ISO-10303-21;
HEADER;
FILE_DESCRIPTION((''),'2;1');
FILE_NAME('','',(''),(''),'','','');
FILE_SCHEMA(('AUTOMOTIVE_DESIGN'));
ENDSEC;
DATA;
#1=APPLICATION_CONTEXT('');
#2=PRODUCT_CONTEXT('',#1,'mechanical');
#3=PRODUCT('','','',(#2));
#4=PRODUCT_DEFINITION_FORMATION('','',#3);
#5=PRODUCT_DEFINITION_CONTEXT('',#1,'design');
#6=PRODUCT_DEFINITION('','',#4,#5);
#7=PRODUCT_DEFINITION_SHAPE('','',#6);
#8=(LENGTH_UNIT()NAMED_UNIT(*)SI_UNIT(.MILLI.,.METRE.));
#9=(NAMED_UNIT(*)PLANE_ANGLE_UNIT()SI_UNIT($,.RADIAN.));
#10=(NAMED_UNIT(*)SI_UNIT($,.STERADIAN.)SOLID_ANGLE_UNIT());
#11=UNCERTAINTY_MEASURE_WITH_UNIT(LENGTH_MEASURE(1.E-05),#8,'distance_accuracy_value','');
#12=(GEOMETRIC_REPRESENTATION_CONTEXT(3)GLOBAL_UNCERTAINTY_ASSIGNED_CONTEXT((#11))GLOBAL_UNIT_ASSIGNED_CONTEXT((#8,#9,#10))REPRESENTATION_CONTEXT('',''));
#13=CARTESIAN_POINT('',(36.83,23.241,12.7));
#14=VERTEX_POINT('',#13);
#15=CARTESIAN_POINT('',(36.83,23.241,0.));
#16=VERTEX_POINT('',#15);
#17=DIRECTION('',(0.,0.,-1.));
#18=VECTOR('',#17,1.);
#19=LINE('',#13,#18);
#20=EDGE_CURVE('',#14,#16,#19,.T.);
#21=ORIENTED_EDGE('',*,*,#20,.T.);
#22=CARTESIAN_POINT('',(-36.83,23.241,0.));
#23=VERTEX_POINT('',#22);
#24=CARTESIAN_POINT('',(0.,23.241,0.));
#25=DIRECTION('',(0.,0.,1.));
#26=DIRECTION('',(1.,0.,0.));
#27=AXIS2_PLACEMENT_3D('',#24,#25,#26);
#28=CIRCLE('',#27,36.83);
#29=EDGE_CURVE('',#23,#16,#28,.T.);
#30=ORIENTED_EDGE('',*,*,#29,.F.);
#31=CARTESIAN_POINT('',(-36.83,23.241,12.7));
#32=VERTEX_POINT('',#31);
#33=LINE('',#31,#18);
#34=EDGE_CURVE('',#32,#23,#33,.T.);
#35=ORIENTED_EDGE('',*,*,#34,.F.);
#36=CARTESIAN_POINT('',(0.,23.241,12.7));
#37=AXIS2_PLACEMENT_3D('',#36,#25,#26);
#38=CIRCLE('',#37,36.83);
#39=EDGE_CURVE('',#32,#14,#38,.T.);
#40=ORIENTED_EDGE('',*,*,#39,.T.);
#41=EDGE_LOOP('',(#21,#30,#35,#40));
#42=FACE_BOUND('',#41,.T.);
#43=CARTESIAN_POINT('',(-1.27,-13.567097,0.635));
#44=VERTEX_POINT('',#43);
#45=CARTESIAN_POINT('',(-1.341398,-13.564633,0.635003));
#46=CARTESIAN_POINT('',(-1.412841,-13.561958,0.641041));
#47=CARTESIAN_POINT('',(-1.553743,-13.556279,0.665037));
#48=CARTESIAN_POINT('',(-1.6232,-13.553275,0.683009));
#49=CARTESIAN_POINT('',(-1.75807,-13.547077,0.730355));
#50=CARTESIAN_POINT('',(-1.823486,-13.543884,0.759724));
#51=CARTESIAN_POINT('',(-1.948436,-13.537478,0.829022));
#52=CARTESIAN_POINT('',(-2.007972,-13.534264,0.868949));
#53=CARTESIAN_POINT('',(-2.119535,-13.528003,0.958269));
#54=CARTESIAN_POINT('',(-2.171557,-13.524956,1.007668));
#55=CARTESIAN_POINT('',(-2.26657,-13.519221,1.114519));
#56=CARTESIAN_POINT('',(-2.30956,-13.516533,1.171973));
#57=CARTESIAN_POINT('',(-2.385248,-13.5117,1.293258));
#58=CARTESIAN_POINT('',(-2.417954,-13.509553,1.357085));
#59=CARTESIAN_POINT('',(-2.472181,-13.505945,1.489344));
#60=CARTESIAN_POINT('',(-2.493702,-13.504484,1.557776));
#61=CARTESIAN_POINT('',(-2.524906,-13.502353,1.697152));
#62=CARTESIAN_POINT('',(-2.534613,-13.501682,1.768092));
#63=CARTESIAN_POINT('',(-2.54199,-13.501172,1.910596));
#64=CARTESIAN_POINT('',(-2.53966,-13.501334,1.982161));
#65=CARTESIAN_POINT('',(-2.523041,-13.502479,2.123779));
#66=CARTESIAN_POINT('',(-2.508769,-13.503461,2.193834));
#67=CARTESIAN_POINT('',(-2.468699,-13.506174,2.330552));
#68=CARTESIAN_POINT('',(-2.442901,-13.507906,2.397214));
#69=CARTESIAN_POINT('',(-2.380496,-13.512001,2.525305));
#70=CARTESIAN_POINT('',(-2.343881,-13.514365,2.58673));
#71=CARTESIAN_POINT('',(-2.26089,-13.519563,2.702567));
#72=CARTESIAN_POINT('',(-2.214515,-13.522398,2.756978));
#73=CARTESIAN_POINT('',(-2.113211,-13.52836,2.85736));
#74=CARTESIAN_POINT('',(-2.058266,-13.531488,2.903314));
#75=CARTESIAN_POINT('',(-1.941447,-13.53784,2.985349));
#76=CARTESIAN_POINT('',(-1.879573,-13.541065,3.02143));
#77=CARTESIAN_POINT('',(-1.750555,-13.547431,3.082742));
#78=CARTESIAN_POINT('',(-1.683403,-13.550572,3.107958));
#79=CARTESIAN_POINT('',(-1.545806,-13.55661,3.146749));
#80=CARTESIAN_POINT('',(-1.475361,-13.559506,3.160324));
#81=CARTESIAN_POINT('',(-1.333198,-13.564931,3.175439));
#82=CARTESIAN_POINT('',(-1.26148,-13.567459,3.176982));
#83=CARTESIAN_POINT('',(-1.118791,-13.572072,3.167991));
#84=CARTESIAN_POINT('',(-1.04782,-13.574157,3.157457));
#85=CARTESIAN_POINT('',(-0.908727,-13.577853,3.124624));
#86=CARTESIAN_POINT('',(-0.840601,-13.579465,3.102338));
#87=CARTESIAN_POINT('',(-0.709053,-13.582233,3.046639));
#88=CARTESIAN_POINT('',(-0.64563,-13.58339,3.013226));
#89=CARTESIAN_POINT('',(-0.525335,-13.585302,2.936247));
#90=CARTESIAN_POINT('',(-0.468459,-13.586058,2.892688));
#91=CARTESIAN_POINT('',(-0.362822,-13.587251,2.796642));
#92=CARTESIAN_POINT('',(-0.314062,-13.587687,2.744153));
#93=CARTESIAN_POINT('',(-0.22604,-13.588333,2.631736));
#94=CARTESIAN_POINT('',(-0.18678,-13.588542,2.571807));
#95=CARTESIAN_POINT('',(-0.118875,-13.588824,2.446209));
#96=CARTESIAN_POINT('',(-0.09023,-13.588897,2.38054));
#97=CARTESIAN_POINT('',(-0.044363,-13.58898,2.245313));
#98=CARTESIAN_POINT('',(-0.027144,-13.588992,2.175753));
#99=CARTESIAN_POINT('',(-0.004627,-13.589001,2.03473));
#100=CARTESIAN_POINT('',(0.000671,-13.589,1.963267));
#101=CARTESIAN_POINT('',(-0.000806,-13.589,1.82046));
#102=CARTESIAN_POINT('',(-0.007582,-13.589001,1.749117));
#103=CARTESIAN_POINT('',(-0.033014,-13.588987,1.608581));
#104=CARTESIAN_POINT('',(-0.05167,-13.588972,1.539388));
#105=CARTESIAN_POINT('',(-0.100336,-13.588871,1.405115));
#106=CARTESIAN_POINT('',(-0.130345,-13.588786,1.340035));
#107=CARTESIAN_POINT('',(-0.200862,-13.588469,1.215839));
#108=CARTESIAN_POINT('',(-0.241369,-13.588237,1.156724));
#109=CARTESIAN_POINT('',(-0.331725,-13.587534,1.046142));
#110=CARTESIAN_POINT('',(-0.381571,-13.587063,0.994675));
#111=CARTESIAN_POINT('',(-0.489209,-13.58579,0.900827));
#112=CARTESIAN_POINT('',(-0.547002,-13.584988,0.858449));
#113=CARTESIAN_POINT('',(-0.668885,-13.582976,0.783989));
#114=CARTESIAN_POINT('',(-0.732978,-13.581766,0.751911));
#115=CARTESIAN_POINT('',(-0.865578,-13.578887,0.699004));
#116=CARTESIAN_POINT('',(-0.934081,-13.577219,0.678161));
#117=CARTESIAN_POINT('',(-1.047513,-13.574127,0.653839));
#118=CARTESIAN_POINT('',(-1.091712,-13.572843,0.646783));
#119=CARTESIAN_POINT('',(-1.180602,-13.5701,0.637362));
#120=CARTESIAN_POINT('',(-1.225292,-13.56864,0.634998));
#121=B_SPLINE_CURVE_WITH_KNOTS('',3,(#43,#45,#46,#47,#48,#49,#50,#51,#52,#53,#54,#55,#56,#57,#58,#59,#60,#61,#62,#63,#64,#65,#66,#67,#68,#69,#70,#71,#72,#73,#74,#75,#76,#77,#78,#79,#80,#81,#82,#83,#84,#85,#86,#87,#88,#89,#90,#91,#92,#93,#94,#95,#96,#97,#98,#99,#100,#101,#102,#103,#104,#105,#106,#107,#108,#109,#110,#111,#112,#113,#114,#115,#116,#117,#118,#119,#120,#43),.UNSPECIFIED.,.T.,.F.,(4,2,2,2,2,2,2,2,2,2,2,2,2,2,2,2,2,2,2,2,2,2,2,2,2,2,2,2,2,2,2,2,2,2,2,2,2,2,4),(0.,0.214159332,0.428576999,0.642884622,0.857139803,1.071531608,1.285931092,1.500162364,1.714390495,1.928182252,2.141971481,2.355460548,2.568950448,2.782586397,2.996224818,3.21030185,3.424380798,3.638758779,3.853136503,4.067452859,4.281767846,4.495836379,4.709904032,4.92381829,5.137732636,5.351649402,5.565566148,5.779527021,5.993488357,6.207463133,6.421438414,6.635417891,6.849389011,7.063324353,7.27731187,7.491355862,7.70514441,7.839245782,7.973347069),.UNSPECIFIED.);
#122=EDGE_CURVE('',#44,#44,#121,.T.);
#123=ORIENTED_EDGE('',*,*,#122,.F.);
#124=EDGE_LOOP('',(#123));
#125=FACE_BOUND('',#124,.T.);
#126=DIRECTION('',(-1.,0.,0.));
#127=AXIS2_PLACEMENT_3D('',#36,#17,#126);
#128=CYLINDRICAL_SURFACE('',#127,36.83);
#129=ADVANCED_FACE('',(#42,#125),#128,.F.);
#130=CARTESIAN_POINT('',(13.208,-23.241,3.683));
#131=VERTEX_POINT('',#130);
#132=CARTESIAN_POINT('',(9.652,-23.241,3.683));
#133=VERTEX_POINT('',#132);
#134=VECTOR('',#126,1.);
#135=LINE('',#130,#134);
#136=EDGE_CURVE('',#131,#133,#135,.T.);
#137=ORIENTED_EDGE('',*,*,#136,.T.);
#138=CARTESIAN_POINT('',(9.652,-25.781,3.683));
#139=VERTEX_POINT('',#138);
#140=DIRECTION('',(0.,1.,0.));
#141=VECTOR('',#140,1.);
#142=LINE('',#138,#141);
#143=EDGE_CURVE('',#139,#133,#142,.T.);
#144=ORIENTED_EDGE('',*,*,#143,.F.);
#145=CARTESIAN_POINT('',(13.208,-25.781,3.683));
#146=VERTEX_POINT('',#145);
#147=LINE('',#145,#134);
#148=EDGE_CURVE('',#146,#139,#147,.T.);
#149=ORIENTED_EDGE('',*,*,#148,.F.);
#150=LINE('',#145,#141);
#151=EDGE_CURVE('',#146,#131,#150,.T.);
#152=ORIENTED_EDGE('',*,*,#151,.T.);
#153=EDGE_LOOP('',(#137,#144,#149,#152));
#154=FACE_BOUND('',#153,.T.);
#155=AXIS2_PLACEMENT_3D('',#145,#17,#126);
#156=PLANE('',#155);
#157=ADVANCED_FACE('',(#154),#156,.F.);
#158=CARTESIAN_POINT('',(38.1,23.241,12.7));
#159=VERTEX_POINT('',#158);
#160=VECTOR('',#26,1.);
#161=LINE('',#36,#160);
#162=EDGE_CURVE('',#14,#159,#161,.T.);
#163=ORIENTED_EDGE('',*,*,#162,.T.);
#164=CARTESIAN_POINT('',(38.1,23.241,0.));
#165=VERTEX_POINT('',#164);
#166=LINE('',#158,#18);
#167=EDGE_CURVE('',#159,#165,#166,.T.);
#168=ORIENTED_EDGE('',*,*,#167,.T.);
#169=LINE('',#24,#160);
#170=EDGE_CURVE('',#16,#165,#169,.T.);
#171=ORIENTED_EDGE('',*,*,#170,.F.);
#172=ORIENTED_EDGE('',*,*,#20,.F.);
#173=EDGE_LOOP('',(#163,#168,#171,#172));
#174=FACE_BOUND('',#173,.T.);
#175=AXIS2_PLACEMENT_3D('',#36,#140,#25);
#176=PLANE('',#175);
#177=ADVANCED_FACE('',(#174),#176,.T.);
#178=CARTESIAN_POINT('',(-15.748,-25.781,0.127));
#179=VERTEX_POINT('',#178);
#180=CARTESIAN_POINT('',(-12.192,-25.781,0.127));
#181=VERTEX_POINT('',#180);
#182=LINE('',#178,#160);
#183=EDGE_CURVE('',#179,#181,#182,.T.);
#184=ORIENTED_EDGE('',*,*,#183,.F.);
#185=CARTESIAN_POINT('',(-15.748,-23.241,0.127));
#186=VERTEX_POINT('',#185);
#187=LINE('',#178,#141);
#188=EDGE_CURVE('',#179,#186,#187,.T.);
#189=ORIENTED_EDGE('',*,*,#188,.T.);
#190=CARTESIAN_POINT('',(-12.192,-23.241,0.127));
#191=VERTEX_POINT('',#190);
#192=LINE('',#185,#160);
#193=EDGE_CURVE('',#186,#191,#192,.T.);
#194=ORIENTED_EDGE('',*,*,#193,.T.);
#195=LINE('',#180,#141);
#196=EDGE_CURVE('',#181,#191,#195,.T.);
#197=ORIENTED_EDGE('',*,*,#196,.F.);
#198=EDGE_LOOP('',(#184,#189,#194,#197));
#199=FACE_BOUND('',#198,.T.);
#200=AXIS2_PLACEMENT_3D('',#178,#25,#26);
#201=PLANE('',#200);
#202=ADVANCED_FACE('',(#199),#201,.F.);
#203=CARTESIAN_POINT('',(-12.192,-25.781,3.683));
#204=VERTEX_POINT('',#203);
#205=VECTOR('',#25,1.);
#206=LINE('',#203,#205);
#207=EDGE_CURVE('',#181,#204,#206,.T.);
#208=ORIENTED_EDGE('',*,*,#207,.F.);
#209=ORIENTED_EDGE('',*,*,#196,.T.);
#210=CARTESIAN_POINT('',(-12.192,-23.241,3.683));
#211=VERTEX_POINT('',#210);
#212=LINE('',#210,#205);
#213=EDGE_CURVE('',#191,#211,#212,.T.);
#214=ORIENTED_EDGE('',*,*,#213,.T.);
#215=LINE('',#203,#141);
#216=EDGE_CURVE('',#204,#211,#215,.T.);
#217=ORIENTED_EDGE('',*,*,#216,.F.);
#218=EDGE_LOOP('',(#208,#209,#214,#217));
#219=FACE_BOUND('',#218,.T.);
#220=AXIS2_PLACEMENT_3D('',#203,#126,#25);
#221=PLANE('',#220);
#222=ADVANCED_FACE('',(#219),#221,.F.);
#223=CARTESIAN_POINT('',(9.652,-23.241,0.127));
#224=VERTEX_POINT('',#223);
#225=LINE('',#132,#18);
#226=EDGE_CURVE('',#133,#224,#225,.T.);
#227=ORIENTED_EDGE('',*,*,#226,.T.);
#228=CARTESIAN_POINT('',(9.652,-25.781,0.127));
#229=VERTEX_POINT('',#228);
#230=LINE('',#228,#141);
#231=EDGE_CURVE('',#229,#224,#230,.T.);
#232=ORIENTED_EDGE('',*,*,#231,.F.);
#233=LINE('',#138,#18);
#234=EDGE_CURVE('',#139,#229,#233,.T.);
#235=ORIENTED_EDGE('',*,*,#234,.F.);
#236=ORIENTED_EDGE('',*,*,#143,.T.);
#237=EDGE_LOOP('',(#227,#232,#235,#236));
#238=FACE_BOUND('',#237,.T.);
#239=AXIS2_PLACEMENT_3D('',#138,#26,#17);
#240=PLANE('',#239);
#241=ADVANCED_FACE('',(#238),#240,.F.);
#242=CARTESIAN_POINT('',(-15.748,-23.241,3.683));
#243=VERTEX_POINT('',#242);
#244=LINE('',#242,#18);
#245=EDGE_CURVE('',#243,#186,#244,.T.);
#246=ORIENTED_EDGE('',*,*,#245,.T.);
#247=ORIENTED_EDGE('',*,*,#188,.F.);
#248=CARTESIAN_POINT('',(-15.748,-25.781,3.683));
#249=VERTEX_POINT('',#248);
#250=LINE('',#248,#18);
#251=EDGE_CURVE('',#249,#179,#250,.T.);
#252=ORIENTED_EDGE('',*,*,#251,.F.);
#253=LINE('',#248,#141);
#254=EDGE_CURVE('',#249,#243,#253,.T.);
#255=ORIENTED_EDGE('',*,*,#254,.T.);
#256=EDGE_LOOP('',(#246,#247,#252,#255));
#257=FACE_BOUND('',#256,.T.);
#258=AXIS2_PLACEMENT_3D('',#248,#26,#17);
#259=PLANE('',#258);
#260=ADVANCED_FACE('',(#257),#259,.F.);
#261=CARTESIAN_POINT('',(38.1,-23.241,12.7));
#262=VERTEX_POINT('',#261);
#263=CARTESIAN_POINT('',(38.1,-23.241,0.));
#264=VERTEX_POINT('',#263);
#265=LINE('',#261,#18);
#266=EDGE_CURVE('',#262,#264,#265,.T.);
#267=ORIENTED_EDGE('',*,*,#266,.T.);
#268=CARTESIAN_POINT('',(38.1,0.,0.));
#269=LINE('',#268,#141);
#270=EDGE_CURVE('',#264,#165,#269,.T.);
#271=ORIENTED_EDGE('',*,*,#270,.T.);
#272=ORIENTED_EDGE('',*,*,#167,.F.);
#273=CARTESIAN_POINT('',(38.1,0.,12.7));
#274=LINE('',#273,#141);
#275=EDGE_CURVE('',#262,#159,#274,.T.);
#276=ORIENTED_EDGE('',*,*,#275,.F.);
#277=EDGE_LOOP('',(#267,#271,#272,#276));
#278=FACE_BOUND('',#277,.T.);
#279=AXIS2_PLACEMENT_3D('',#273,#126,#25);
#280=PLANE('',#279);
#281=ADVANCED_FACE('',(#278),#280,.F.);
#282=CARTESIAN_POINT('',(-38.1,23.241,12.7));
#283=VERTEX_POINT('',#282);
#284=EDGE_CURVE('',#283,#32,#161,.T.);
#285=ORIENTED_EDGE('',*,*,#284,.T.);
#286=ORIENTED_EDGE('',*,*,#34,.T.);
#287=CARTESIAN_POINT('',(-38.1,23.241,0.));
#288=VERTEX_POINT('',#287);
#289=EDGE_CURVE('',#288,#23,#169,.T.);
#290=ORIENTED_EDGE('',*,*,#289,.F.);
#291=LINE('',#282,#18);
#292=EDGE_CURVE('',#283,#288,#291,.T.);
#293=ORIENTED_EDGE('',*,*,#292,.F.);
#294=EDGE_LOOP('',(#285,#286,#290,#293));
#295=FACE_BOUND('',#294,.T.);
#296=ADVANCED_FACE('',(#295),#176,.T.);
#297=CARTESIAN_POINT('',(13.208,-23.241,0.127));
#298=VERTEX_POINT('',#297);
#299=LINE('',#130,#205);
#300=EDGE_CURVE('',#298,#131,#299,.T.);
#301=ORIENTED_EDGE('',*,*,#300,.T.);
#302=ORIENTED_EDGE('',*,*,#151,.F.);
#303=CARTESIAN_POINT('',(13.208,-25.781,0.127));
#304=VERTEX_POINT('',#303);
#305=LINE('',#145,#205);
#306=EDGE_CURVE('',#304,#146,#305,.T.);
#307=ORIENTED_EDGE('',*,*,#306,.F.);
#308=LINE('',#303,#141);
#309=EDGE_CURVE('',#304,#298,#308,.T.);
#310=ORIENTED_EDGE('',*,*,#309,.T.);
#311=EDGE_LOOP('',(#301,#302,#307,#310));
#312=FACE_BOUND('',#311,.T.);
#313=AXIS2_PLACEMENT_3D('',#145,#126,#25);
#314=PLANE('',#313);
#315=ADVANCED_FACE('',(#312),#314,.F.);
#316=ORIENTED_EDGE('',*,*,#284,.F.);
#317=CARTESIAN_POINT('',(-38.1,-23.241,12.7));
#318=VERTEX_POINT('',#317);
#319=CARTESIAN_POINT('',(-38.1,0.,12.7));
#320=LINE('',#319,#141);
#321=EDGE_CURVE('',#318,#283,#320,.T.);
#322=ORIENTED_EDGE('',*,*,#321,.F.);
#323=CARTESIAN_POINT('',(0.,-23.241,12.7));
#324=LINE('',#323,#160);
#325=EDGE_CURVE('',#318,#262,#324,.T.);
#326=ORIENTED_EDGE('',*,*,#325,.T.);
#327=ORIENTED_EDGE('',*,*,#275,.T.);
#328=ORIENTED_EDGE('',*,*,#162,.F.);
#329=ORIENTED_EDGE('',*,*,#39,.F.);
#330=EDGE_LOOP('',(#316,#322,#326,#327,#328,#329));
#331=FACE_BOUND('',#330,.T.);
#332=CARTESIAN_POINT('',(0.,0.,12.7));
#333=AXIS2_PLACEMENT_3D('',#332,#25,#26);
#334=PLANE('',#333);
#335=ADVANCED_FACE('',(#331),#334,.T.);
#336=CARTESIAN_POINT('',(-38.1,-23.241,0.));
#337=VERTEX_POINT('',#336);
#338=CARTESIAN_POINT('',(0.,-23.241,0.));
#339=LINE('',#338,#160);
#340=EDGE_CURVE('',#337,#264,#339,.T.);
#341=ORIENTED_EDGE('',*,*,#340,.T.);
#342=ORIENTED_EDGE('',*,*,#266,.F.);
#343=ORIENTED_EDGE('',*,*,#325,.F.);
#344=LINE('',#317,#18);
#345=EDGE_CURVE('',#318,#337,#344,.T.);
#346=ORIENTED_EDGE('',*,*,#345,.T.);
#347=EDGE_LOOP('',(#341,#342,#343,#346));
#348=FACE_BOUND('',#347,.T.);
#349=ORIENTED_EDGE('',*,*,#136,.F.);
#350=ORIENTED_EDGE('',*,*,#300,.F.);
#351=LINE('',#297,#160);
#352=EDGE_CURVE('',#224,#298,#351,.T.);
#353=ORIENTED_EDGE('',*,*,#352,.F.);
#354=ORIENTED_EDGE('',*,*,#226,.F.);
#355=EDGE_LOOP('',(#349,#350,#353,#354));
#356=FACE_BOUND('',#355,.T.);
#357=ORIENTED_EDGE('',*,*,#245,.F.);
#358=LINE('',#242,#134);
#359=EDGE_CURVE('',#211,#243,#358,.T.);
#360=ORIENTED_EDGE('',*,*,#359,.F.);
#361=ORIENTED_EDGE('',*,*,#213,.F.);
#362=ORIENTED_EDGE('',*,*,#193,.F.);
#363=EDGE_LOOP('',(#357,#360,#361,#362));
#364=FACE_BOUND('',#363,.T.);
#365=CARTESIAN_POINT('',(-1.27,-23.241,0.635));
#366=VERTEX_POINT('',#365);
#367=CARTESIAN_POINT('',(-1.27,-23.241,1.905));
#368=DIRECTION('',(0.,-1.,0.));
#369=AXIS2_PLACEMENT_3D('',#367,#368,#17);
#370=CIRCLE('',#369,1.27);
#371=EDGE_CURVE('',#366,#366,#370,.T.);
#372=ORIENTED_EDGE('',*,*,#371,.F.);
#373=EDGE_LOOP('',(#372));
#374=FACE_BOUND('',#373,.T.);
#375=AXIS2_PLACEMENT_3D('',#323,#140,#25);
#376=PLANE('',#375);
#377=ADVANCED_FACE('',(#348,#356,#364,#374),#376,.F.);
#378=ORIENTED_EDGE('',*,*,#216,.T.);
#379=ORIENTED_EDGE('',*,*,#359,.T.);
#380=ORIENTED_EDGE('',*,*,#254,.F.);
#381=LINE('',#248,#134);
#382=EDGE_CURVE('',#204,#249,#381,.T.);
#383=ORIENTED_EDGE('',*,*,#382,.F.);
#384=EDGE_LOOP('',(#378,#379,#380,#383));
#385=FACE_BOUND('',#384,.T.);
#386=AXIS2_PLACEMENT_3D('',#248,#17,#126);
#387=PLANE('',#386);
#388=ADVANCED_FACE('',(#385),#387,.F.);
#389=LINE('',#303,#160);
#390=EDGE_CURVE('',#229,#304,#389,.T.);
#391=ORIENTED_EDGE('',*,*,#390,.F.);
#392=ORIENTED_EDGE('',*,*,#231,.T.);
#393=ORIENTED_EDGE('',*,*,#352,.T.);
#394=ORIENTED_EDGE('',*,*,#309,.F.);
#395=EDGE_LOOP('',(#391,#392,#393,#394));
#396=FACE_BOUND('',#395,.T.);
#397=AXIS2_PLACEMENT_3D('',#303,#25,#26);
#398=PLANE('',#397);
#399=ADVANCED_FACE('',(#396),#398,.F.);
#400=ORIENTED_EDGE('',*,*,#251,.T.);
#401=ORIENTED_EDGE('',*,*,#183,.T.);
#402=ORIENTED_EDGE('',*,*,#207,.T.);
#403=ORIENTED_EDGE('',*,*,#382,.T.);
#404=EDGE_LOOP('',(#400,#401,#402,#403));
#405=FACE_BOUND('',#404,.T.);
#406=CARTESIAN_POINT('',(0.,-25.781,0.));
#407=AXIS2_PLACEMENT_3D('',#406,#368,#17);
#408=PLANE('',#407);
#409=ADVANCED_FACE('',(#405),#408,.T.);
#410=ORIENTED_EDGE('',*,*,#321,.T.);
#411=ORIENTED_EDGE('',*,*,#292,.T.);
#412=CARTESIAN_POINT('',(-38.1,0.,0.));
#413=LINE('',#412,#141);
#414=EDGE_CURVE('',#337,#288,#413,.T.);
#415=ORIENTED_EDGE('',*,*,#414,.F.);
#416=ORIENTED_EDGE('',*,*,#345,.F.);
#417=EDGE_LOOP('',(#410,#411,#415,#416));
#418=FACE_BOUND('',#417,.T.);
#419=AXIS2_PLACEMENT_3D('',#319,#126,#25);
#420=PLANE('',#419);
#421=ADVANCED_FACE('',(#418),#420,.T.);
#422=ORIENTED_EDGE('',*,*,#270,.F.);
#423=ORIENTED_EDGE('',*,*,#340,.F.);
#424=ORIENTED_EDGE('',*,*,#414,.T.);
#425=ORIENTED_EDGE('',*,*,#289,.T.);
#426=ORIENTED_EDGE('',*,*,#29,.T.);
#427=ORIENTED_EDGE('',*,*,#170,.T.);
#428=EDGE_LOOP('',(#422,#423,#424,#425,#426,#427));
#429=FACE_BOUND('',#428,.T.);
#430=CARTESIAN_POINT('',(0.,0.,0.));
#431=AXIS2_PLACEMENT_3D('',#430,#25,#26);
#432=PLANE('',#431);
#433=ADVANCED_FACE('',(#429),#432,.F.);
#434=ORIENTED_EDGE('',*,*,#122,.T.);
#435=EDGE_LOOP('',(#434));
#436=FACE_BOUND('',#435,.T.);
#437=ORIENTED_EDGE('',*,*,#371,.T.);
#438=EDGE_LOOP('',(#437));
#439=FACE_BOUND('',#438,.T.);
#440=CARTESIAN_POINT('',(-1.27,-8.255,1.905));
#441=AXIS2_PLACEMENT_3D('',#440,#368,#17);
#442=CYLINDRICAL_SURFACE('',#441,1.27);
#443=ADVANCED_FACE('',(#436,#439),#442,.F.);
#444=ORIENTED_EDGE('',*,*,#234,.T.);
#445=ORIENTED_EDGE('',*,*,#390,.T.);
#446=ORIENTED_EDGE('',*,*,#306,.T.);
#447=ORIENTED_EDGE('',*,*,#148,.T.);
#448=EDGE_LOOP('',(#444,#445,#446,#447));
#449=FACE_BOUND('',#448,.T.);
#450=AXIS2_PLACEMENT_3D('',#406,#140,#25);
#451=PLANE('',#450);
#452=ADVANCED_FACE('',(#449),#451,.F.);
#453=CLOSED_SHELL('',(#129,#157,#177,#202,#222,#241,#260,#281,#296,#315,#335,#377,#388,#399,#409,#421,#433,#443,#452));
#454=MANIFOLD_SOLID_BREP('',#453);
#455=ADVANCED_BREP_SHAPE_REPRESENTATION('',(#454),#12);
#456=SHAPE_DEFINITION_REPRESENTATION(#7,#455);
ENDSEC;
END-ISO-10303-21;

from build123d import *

# Parameters (mm, degrees)
BOSS_EXTRUDE1_DEPTH = 12.7
SKETCH2_W           = 3.556
SKETCH2_H           = 3.556
BOSS_EXTRUDE2_DEPTH = 2.54
SKETCH3_R           = 1.27
CUT_EXTRUDE1_DEPTH  = 14.986


with BuildPart() as part:
    # Sketch1 → Boss-Extrude1 (new body)
    with BuildSketch(Plane.XY):
        with BuildLine():
            Line((-38.1, 23.241), (-38.1, -23.241))
            Line((-38.1, -23.241), (38.1, -23.241))
            Line((38.1, -23.241), (38.1, 23.241))
            Line((38.1, 23.241), (36.83, 23.241))
            ThreePointArc((36.83, 23.241), (0, -13.589), (-36.83, 23.241))
            Line((-36.83, 23.241), (-38.1, 23.241))
        make_face()
    extrude(amount=BOSS_EXTRUDE1_DEPTH)

    # Sketch2 → Boss-Extrude2 (add)
    with BuildSketch(Plane.XZ.offset(23.241)):
        with Locations((11.43, 1.905)):
            Rectangle(SKETCH2_W, SKETCH2_H)
        with Locations((-13.97, 1.905)):
            Rectangle(SKETCH2_W, SKETCH2_H)
    extrude(amount=BOSS_EXTRUDE2_DEPTH)

    # Sketch3 → Cut-Extrude1 (cut)
    with BuildSketch(Plane(origin=(0, -23.241, 0), x_dir=(-1, 0, 0), z_dir=(0, -1, 0))):
        with Locations((1.27, -1.905)):
            Circle(SKETCH3_R)
    extrude(amount=-CUT_EXTRUDE1_DEPTH, mode=Mode.SUBTRACT)


solid = part.part
